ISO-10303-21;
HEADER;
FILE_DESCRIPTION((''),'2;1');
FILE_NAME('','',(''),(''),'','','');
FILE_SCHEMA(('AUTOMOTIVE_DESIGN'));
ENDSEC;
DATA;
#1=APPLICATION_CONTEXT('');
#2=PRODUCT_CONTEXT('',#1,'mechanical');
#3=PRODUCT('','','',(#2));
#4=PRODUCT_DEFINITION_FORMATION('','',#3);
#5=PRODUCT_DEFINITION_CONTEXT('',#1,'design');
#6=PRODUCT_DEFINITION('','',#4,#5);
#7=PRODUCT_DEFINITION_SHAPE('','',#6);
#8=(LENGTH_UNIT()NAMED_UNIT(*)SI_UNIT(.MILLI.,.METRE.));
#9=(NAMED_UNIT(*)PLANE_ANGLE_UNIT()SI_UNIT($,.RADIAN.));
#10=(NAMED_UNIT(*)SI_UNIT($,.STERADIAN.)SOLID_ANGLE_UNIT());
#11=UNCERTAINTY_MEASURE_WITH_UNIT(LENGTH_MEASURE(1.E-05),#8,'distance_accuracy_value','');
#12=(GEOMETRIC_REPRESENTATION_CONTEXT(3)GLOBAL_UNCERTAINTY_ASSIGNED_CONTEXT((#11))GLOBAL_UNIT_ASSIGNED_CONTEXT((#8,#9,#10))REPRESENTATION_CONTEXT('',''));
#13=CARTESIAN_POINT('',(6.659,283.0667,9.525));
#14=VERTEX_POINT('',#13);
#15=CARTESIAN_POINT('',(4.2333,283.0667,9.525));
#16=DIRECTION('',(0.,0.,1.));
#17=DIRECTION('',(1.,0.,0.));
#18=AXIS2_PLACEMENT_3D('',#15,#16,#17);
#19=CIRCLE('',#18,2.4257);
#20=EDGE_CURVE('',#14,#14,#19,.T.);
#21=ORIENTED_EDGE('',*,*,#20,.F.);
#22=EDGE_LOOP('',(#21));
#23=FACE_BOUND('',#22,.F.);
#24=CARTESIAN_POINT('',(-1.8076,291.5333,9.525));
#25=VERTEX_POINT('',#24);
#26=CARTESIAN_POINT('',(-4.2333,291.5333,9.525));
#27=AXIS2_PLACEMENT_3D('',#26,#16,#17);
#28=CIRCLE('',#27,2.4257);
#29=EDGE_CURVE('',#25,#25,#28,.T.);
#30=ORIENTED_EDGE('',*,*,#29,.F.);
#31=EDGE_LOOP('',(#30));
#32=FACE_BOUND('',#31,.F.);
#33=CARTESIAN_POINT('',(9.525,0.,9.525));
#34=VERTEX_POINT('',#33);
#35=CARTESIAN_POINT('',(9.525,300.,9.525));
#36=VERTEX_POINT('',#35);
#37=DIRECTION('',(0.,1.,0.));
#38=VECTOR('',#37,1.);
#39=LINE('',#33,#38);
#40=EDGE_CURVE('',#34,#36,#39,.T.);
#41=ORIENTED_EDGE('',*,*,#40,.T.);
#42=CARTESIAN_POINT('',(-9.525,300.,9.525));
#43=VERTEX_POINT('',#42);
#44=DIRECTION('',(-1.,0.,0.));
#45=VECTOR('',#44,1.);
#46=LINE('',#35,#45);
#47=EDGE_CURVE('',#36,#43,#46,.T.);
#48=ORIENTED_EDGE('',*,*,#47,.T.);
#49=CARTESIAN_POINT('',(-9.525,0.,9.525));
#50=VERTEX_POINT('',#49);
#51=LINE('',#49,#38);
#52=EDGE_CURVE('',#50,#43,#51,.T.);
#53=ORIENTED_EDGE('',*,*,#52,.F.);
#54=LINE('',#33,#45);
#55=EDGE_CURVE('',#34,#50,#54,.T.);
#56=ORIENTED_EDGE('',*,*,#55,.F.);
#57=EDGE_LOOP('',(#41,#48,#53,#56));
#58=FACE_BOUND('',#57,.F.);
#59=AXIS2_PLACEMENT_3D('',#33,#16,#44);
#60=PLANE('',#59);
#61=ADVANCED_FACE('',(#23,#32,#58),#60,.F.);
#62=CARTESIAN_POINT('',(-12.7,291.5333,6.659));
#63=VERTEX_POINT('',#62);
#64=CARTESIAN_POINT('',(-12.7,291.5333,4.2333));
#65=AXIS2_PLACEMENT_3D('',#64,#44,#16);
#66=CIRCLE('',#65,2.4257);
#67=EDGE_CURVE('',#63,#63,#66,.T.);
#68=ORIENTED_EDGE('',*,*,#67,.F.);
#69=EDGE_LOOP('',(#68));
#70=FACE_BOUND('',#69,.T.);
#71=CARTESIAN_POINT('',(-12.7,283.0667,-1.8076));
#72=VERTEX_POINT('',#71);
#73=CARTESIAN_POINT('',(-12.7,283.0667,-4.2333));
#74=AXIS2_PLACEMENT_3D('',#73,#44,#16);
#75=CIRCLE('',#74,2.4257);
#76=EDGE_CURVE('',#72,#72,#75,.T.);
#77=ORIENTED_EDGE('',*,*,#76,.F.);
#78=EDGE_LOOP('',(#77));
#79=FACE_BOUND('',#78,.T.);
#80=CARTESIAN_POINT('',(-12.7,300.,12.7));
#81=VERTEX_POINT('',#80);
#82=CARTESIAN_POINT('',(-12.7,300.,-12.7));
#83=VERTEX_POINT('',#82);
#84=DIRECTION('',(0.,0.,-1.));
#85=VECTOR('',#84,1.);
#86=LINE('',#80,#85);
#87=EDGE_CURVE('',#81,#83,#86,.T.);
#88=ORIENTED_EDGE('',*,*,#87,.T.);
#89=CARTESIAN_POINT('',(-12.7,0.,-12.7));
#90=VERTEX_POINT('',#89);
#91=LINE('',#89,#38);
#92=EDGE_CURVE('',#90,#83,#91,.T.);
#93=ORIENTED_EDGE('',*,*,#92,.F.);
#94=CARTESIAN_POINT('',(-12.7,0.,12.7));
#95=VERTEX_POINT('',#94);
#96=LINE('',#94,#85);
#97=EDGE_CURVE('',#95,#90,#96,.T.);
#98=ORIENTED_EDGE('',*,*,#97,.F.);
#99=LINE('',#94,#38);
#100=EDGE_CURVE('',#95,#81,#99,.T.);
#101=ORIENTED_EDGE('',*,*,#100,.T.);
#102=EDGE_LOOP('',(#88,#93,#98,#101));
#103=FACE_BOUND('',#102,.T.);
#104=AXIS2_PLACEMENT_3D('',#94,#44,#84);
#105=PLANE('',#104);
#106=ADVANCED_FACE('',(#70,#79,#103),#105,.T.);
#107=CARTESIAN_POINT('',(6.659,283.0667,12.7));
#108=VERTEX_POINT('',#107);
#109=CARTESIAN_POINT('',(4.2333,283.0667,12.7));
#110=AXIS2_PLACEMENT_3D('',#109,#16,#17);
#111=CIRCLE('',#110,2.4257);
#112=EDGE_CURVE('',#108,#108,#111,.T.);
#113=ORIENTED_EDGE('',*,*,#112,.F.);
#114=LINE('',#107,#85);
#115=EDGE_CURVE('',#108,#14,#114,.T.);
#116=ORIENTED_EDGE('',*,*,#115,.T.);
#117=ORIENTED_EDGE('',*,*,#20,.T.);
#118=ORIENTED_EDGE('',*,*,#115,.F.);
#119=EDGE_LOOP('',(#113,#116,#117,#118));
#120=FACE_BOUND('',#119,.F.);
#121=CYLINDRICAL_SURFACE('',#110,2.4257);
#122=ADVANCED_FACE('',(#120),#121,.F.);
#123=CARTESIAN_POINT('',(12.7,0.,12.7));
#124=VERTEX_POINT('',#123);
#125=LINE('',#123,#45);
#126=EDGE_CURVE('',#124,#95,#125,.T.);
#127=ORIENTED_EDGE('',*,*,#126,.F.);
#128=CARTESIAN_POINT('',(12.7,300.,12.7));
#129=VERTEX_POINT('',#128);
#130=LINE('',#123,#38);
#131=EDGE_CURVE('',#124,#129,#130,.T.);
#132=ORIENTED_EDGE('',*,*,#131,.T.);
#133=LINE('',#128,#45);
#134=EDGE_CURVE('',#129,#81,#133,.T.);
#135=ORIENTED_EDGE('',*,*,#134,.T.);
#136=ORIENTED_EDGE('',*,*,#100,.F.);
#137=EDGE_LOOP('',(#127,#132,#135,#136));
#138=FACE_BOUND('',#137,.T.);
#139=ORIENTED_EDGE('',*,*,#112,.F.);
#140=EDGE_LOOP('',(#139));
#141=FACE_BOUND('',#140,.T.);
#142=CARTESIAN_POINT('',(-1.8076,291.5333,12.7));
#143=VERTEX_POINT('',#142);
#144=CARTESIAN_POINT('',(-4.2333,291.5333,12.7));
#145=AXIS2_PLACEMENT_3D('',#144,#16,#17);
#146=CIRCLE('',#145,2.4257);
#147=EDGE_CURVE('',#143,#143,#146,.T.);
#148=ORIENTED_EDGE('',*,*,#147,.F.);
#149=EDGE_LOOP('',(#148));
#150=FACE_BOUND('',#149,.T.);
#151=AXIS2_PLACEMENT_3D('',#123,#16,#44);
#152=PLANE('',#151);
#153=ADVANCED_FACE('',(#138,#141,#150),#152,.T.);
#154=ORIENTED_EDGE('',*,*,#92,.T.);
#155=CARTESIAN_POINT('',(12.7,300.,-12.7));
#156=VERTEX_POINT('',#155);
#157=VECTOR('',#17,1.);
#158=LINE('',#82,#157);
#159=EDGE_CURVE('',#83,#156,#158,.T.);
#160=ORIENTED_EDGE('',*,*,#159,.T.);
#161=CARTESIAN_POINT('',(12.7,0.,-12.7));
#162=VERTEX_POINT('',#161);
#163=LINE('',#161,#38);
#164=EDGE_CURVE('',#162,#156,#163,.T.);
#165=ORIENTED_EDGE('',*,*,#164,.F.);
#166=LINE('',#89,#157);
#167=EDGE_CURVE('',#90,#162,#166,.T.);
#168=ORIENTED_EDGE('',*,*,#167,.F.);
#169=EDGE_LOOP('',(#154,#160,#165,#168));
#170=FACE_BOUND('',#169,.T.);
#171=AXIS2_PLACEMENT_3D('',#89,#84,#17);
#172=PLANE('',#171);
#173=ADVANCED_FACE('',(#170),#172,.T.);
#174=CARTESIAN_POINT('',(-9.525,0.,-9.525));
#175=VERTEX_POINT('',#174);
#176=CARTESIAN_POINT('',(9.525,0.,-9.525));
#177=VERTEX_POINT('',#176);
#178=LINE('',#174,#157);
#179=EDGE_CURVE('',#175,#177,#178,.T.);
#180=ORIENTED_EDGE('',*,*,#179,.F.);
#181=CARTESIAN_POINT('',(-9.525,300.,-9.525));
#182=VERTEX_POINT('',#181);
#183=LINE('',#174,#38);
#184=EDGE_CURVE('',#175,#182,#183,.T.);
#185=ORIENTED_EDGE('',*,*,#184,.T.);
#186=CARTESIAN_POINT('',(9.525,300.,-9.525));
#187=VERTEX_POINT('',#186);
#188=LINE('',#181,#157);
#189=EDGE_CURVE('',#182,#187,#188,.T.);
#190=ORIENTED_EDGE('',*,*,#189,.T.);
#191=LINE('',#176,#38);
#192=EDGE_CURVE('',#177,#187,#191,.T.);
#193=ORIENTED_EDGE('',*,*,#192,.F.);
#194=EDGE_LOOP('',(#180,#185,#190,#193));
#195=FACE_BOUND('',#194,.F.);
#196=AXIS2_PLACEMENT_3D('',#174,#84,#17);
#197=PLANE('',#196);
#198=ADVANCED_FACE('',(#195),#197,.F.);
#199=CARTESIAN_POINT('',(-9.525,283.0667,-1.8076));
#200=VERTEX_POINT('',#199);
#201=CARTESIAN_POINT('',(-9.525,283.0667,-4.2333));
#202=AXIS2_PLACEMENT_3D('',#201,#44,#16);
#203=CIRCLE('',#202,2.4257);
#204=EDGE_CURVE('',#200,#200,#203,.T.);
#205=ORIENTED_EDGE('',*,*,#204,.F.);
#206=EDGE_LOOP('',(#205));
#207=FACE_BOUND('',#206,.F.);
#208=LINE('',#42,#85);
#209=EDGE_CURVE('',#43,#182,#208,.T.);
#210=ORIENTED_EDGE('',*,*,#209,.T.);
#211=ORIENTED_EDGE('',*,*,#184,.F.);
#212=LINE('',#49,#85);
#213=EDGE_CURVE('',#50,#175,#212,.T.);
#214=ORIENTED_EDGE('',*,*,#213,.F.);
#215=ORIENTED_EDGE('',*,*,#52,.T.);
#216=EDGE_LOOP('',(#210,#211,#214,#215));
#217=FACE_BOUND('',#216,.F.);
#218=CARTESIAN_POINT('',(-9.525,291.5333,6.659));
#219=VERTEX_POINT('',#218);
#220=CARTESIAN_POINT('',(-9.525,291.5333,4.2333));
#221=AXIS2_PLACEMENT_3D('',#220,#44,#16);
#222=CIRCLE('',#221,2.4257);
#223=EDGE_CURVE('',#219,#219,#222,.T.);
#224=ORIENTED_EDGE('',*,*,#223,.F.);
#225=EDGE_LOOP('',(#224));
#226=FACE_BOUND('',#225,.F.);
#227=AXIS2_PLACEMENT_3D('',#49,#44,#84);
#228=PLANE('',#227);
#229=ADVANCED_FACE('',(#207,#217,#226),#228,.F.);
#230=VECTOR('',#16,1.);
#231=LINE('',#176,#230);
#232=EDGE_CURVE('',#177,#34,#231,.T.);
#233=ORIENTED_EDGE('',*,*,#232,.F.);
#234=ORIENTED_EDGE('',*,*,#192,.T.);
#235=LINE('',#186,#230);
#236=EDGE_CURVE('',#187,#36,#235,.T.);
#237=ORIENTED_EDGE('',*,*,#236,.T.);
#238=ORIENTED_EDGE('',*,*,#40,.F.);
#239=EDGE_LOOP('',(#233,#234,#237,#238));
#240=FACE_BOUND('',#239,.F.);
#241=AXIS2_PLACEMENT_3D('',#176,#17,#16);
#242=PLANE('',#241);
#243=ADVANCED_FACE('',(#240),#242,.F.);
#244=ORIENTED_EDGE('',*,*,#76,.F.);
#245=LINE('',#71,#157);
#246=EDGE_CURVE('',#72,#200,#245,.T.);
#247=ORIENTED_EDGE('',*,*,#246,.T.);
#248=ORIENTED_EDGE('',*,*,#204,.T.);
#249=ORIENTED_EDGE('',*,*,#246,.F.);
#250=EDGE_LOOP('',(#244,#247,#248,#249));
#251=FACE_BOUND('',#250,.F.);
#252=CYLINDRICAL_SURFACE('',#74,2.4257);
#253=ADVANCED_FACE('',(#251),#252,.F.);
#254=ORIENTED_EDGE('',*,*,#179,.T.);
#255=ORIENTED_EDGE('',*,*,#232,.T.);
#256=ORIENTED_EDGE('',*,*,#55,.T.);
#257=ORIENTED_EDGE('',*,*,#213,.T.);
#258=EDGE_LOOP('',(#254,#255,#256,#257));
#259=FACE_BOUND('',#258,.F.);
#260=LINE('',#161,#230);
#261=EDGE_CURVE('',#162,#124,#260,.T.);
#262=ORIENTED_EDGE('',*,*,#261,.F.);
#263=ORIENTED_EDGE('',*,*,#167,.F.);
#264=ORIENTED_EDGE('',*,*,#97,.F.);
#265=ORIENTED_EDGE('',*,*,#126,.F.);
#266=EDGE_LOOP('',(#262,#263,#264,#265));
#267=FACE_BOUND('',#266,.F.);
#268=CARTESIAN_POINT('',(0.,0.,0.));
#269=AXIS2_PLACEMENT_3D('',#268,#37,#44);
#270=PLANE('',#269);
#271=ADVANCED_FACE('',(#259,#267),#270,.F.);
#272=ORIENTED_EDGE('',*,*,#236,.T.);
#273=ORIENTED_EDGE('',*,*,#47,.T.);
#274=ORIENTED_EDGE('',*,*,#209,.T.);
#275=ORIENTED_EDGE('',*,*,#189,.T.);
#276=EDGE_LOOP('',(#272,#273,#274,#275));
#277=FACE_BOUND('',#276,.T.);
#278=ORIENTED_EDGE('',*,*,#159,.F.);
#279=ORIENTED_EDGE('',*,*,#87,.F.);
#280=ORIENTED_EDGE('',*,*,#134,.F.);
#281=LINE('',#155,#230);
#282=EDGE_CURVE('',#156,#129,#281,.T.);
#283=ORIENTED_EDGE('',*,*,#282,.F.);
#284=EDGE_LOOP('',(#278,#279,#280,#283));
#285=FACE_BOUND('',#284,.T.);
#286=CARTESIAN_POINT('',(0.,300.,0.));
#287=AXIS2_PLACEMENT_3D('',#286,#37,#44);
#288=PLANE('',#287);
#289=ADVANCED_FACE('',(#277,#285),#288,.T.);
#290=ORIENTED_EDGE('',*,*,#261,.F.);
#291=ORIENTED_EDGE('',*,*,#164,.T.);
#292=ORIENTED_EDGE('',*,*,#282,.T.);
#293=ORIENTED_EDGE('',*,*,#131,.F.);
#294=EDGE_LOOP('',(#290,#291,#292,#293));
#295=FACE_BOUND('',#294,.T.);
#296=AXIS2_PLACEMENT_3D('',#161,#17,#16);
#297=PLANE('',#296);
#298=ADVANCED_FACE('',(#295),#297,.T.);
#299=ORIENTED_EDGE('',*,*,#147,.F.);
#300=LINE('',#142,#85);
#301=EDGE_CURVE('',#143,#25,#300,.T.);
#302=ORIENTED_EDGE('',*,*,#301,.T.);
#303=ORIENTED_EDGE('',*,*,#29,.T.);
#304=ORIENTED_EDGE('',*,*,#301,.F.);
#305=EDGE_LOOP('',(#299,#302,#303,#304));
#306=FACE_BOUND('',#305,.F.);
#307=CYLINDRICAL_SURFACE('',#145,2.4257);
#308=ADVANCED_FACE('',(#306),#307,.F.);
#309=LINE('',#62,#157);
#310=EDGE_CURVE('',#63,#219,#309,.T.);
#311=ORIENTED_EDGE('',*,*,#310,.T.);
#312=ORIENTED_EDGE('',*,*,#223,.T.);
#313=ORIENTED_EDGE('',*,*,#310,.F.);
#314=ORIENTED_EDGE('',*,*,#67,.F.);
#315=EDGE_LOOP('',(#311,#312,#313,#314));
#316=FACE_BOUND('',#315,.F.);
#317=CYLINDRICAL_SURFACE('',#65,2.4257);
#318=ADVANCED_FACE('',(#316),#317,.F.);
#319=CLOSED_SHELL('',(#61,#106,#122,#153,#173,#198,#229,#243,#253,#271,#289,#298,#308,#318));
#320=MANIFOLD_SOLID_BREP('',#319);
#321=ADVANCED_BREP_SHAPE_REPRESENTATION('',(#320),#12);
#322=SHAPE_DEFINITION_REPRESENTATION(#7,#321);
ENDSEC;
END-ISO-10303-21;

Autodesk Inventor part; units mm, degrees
ref_plane "YZ Plane" through (0, 0, 0) normal (1, 0, 0) x (0, 1, 0)
ref_plane "XZ Plane" through (0, 0, 0) normal (0, 1, 0) x (-1, 0, 0)
ref_plane "XY Plane" through (0, 0, 0) normal (0, 0, 1) x (1, 0, 0)
sketch "Sketch1" plane through (0, 0, 0) normal (0, 1, 0) x (-1, 0, 0)
  line L0 (12.7, -12.7) -> (-12.7, -12.7)
  line L1 (-12.7, -12.7) -> (-12.7, 12.7)
  line L2 (-12.7, 12.7) -> (12.7, 12.7)
  line L3 (12.7, 12.7) -> (12.7, -12.7)
  line L4 (9.525, -9.525) -> (-9.525, -9.525)
  line L5 (-9.525, -9.525) -> (-9.525, 9.525)
  line L6 (-9.525, 9.525) -> (9.525, 9.525)
  line L7 (9.525, 9.525) -> (9.525, -9.525)
  point P0 (0, 0)
  point P1 (0, -9.525)
  point P2 (0, -12.7)
  point P3 (-9.525, 0)
  point P4 (-12.7, 0)
  dimension "d0" = 25.4
  dimension "d1" = 3.175
extrude "Extrusion1" add sketch "Sketch1" along normal blind 300
sketch "Sketch2" plane through (-12.7, 0, 12.7) normal (0, 0, 1) x (1, 0, 0)
  line L0 (0, 0) -> (0, 300) construction
  line L1 (0, 300) -> (25.4, 300) construction
  line L2 (25.4, 300) -> (25.4, 274.6) construction
  line L3 (25.4, 274.6) -> (0, 274.6) construction
  line L4 (0, 274.6) -> (0, 300) construction
  line L5 (25.4, 0) -> (25.4, 300) construction
  line L6 (8.4667, 291.5333) -> (16.9333, 291.5333) construction
  line L7 (16.9333, 291.5333) -> (16.9333, 283.0667) construction
  line L8 (16.9333, 283.0667) -> (8.4667, 283.0667) construction
  line L9 (8.4667, 283.0667) -> (8.4667, 291.5333) construction
  circle A0 centre (8.4667, 291.5333) radius 2.4257
  circle A1 centre (16.9333, 283.0667) radius 2.4257
  point P0 (12.7, 0)
  point P1 (12.7, 291.5333)
  point P2 (12.7, 300)
  point P3 (16.9333, 287.3)
  point P4 (25.4, 287.3)
  dimension "d4" = 8.4667
  dimension "d5" = 4.8514
sketch "Sketch3" plane through (-12.7, 0, -12.7) normal (-1, 0, 0) x (0, 0, 1)
  line L0 (0, 0) -> (0, 300) construction
  line L1 (0, 300) -> (25.4, 300) construction
  line L2 (25.4, 300) -> (25.4, 274.6) construction
  line L3 (25.4, 274.6) -> (0, 274.6) construction
  line L4 (0, 274.6) -> (0, 300) construction
  line L5 (8.4667, 291.5333) -> (16.9333, 291.5333) construction
  line L6 (16.9333, 291.5333) -> (16.9333, 283.0667) construction
  line L7 (16.9333, 283.0667) -> (8.4667, 283.0667) construction
  line L8 (8.4667, 283.0667) -> (8.4667, 291.5333) construction
  circle A0 centre (16.9333, 291.5333) radius 2.4257
  circle A1 centre (8.4667, 283.0667) radius 2.4257
  point P0 (12.7, 0)
  point P1 (16.9333, 287.3)
  point P2 (25.4, 287.3)
  point P3 (12.7, 283.0667)
  point P4 (12.7, 274.6)
  dimension "d6" = 25.4
  dimension "d7" = 8.4667
  dimension "d8" = 4.8514
extrude "Extrusion2" cut sketch "Sketch3" against normal blind 3.175
extrude "Extrusion3" cut sketch "Sketch2" against normal blind 3.175
properties part number "vertical"
